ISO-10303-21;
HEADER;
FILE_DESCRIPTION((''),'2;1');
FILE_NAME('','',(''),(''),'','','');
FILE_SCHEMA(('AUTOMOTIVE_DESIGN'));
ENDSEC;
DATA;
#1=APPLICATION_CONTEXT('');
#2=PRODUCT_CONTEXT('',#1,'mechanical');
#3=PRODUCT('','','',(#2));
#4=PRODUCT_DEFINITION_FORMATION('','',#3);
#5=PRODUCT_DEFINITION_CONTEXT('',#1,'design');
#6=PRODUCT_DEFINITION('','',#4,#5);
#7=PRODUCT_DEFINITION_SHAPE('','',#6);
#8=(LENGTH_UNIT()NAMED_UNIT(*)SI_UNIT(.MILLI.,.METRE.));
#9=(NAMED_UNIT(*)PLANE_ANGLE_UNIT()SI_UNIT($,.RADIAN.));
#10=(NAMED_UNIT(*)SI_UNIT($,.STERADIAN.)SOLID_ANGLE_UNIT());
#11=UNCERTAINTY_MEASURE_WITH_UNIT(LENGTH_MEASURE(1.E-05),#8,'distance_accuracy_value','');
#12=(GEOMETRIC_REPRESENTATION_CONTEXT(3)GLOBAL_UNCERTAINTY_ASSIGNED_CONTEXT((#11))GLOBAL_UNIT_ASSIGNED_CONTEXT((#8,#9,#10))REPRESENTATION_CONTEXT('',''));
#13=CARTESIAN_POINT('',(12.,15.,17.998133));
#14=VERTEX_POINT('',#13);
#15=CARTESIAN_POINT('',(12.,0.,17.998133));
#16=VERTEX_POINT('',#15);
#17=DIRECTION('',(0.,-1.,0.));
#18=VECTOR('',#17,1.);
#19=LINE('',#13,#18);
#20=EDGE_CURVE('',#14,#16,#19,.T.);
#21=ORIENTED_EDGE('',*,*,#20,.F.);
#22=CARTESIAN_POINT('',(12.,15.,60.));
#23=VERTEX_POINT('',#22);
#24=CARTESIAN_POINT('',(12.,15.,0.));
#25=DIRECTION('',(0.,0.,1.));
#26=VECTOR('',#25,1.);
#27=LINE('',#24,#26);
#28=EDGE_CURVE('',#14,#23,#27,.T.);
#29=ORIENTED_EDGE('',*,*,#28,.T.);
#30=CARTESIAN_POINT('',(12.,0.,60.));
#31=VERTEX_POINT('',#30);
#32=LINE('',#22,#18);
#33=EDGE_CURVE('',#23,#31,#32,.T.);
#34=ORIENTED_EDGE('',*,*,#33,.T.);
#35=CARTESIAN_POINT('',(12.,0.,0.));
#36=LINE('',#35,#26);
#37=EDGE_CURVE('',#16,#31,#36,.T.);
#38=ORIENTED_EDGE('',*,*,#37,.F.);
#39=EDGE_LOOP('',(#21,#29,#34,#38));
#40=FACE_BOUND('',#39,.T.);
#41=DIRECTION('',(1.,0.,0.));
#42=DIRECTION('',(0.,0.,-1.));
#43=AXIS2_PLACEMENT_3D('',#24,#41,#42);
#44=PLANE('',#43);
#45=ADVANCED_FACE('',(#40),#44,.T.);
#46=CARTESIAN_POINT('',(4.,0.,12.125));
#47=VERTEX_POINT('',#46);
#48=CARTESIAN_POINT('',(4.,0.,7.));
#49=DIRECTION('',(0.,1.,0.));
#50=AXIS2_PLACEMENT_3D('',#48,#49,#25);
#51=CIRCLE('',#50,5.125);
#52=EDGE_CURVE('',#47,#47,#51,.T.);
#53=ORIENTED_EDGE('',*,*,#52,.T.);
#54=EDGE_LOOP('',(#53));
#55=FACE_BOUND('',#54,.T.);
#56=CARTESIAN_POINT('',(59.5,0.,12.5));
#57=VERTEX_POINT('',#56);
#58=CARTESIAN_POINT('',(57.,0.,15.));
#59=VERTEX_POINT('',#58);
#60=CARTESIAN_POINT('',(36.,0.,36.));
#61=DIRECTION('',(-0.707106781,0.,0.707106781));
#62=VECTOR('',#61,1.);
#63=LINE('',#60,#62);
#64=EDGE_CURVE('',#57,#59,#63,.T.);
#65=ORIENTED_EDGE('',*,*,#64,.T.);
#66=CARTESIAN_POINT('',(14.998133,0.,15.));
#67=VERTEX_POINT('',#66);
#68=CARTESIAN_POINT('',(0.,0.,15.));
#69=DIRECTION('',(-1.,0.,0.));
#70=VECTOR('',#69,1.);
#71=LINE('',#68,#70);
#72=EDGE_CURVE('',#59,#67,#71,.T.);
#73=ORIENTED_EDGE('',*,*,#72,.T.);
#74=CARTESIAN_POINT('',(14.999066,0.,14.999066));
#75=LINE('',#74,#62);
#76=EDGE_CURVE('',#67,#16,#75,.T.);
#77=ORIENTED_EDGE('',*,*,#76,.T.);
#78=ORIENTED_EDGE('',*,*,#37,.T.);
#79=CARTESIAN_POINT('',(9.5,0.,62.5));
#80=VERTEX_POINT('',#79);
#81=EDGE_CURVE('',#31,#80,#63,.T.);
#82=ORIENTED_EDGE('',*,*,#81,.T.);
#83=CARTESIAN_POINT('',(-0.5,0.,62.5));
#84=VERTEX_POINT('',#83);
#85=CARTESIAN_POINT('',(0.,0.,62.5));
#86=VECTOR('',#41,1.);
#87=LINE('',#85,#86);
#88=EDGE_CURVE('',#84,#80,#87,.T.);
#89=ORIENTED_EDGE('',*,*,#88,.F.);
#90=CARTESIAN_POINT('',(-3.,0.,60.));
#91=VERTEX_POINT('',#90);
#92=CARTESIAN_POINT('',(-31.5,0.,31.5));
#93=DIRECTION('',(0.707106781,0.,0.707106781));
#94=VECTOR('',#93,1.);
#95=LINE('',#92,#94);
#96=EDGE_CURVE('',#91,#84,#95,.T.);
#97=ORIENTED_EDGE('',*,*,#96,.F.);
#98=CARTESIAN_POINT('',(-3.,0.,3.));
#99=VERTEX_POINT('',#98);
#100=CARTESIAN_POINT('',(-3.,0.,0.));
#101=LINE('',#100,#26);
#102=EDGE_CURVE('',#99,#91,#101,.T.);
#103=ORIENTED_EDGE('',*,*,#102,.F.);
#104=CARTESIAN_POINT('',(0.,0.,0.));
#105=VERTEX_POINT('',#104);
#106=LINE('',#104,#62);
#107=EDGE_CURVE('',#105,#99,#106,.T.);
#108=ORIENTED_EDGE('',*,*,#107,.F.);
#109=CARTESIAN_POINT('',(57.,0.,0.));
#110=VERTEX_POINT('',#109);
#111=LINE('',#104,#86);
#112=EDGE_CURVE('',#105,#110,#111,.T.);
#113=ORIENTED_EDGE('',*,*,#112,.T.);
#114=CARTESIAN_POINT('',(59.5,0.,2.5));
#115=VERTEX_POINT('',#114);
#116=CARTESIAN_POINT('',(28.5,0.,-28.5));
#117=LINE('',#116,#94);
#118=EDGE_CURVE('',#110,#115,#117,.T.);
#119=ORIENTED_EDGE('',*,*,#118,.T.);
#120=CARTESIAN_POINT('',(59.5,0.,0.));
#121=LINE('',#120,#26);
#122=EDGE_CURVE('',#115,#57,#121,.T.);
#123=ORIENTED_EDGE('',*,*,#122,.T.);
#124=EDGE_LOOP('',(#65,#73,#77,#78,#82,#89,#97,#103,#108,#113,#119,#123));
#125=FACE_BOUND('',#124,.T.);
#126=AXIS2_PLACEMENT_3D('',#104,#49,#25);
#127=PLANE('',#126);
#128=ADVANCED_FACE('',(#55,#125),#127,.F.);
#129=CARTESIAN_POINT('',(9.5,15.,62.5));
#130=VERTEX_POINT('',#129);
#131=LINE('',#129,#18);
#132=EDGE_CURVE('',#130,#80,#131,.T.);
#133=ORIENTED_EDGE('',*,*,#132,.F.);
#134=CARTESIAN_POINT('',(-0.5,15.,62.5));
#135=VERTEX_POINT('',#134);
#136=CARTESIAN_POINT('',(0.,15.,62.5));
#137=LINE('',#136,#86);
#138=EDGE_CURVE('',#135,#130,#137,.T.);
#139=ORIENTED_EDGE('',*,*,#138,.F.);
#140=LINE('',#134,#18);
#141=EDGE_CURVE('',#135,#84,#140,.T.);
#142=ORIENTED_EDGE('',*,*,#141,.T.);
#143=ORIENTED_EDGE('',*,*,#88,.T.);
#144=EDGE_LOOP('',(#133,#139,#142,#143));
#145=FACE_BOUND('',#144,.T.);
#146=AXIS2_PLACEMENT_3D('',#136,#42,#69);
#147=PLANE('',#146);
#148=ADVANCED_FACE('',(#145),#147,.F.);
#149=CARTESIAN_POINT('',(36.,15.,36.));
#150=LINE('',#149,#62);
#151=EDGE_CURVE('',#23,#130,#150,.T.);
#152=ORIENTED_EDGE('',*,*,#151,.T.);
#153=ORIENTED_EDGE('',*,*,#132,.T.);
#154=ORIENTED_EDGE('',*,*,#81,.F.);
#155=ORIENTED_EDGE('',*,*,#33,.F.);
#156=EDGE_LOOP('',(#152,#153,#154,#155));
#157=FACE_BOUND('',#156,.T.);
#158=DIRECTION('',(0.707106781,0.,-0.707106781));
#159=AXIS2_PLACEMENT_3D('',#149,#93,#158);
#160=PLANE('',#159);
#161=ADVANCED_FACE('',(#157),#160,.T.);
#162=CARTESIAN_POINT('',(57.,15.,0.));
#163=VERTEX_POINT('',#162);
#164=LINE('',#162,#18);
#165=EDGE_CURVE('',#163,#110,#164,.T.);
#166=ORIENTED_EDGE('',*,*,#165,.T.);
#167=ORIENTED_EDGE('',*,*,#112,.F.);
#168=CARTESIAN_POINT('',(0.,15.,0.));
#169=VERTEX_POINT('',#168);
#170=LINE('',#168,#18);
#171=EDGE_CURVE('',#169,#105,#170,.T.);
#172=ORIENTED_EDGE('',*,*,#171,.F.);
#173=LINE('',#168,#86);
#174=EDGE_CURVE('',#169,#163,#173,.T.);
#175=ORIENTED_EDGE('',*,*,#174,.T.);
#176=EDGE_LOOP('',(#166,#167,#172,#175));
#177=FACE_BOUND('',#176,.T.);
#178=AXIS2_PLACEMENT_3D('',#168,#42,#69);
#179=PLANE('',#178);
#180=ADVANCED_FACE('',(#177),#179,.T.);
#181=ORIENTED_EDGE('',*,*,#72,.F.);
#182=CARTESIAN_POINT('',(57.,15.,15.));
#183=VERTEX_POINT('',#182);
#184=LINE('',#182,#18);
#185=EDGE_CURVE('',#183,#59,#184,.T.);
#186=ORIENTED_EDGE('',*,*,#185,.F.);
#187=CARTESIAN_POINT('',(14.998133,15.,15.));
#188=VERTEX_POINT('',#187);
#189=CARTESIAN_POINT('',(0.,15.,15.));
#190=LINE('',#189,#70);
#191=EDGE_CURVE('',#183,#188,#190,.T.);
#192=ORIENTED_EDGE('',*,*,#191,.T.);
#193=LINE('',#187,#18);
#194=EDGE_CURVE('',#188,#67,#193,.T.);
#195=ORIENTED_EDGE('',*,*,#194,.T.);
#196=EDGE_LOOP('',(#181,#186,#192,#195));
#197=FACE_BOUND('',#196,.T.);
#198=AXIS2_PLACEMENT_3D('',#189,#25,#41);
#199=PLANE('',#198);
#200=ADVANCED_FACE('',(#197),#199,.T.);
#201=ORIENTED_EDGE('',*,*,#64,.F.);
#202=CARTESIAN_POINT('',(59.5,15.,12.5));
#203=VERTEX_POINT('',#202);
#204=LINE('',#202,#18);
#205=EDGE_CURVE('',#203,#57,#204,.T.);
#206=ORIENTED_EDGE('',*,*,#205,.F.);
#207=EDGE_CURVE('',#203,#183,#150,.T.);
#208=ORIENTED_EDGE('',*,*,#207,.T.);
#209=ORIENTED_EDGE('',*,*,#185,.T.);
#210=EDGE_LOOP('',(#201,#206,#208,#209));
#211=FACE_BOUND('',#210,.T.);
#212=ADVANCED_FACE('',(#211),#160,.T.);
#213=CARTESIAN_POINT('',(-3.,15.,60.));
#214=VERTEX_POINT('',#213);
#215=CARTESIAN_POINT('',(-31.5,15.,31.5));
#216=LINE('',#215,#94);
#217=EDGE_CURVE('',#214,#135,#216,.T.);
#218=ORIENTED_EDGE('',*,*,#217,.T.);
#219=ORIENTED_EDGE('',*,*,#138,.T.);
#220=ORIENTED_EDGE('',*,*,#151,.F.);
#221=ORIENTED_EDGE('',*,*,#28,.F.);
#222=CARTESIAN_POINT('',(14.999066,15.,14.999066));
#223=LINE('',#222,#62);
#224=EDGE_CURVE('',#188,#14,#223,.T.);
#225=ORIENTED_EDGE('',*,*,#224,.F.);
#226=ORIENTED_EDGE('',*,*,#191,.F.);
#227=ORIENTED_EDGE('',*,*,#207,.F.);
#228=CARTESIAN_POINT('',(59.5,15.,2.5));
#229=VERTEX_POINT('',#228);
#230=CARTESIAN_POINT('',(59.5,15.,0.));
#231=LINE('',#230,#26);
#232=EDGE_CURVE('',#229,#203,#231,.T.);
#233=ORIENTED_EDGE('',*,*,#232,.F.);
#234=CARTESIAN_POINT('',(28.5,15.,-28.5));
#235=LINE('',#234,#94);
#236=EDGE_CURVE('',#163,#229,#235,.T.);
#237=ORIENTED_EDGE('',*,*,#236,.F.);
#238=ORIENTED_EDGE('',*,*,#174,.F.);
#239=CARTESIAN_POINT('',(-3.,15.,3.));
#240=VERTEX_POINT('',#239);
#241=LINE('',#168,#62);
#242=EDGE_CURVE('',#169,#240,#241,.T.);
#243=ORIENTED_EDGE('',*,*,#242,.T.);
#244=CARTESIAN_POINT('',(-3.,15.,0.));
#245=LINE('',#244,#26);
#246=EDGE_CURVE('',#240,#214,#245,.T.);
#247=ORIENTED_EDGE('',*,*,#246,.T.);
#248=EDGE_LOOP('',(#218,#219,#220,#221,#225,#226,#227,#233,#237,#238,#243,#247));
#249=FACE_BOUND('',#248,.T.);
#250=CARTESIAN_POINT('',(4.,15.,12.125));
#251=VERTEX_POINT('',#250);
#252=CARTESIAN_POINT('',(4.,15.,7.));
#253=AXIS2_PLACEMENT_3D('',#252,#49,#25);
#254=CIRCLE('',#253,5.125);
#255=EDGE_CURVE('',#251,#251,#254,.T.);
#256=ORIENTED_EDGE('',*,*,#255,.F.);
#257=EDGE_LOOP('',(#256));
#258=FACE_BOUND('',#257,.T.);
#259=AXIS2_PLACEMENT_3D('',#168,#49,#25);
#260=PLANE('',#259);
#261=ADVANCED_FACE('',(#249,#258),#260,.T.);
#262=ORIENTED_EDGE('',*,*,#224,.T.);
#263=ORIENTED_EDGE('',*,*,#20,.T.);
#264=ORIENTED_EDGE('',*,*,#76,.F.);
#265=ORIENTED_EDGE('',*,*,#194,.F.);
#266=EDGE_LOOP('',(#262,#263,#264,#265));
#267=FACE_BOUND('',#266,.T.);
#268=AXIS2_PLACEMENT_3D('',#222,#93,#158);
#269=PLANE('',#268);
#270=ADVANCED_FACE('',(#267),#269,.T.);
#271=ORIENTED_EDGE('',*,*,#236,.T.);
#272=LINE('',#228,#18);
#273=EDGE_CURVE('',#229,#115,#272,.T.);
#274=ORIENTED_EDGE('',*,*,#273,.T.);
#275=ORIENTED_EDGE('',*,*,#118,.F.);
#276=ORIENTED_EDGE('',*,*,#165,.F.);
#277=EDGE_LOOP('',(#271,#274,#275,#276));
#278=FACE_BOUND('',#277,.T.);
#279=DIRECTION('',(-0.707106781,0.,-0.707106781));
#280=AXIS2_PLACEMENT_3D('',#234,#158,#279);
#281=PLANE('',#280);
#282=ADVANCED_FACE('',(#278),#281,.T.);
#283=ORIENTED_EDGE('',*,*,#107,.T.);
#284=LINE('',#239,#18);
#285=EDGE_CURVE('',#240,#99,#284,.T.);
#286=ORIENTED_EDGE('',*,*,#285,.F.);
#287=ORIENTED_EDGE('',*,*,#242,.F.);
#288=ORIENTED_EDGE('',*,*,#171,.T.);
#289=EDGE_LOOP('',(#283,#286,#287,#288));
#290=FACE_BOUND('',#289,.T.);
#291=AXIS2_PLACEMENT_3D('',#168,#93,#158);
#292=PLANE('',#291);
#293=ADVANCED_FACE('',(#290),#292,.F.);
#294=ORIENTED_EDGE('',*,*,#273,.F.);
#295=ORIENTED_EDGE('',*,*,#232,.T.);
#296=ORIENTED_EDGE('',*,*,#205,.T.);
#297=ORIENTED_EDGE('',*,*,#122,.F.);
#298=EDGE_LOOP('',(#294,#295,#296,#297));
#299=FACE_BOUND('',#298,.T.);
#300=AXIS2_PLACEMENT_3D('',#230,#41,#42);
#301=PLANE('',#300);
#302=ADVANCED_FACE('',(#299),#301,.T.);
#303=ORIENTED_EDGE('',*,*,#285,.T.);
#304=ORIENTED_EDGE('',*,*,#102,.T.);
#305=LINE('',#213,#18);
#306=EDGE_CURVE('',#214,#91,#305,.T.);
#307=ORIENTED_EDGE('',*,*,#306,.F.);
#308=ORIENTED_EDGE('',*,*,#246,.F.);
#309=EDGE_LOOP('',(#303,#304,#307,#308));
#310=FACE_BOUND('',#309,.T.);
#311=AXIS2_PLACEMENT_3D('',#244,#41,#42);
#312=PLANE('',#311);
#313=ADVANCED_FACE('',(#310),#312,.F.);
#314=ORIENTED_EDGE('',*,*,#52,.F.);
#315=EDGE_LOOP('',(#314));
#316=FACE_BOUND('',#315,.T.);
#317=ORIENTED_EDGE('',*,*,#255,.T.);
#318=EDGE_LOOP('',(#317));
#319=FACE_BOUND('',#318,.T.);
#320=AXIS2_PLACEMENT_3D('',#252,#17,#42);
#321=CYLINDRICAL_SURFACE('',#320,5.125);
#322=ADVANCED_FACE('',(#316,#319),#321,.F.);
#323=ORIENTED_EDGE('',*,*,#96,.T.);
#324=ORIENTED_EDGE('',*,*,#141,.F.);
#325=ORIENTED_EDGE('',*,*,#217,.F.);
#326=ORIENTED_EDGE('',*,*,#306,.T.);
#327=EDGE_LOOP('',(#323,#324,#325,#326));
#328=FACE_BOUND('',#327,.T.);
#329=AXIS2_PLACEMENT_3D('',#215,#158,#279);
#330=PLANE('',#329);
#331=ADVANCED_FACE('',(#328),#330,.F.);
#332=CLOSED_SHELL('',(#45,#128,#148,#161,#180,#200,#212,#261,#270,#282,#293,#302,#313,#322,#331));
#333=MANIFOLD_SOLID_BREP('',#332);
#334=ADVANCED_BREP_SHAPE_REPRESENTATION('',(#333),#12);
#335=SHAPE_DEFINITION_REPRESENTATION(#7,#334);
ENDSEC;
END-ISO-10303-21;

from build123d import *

# Parameters (mm, degrees)
SKETCH1_R           = 5.125
BOSS_EXTRUDE1_DEPTH = 15


with BuildPart() as part:
    # Sketch1 → Boss-Extrude1 (new body)
    with BuildSketch(Plane(origin=(0, 0, 0), x_dir=(1, 0, 0), z_dir=(0, 1, 0))):
        Polygon((-3, -60), (-0.5, -62.5), (9.5, -62.5), (12, -60), (12, -17.998132752), (14.998132752, -15), (57, -15), (59.5, -12.5), (59.5, -2.5), (57, 0), (0, 0), (-3, -3), align=None)
        with Locations(Location((4, -7, 0), (0, 0, 270))):
            Circle(SKETCH1_R, mode=Mode.SUBTRACT)
    extrude(amount=BOSS_EXTRUDE1_DEPTH)


solid = part.part
